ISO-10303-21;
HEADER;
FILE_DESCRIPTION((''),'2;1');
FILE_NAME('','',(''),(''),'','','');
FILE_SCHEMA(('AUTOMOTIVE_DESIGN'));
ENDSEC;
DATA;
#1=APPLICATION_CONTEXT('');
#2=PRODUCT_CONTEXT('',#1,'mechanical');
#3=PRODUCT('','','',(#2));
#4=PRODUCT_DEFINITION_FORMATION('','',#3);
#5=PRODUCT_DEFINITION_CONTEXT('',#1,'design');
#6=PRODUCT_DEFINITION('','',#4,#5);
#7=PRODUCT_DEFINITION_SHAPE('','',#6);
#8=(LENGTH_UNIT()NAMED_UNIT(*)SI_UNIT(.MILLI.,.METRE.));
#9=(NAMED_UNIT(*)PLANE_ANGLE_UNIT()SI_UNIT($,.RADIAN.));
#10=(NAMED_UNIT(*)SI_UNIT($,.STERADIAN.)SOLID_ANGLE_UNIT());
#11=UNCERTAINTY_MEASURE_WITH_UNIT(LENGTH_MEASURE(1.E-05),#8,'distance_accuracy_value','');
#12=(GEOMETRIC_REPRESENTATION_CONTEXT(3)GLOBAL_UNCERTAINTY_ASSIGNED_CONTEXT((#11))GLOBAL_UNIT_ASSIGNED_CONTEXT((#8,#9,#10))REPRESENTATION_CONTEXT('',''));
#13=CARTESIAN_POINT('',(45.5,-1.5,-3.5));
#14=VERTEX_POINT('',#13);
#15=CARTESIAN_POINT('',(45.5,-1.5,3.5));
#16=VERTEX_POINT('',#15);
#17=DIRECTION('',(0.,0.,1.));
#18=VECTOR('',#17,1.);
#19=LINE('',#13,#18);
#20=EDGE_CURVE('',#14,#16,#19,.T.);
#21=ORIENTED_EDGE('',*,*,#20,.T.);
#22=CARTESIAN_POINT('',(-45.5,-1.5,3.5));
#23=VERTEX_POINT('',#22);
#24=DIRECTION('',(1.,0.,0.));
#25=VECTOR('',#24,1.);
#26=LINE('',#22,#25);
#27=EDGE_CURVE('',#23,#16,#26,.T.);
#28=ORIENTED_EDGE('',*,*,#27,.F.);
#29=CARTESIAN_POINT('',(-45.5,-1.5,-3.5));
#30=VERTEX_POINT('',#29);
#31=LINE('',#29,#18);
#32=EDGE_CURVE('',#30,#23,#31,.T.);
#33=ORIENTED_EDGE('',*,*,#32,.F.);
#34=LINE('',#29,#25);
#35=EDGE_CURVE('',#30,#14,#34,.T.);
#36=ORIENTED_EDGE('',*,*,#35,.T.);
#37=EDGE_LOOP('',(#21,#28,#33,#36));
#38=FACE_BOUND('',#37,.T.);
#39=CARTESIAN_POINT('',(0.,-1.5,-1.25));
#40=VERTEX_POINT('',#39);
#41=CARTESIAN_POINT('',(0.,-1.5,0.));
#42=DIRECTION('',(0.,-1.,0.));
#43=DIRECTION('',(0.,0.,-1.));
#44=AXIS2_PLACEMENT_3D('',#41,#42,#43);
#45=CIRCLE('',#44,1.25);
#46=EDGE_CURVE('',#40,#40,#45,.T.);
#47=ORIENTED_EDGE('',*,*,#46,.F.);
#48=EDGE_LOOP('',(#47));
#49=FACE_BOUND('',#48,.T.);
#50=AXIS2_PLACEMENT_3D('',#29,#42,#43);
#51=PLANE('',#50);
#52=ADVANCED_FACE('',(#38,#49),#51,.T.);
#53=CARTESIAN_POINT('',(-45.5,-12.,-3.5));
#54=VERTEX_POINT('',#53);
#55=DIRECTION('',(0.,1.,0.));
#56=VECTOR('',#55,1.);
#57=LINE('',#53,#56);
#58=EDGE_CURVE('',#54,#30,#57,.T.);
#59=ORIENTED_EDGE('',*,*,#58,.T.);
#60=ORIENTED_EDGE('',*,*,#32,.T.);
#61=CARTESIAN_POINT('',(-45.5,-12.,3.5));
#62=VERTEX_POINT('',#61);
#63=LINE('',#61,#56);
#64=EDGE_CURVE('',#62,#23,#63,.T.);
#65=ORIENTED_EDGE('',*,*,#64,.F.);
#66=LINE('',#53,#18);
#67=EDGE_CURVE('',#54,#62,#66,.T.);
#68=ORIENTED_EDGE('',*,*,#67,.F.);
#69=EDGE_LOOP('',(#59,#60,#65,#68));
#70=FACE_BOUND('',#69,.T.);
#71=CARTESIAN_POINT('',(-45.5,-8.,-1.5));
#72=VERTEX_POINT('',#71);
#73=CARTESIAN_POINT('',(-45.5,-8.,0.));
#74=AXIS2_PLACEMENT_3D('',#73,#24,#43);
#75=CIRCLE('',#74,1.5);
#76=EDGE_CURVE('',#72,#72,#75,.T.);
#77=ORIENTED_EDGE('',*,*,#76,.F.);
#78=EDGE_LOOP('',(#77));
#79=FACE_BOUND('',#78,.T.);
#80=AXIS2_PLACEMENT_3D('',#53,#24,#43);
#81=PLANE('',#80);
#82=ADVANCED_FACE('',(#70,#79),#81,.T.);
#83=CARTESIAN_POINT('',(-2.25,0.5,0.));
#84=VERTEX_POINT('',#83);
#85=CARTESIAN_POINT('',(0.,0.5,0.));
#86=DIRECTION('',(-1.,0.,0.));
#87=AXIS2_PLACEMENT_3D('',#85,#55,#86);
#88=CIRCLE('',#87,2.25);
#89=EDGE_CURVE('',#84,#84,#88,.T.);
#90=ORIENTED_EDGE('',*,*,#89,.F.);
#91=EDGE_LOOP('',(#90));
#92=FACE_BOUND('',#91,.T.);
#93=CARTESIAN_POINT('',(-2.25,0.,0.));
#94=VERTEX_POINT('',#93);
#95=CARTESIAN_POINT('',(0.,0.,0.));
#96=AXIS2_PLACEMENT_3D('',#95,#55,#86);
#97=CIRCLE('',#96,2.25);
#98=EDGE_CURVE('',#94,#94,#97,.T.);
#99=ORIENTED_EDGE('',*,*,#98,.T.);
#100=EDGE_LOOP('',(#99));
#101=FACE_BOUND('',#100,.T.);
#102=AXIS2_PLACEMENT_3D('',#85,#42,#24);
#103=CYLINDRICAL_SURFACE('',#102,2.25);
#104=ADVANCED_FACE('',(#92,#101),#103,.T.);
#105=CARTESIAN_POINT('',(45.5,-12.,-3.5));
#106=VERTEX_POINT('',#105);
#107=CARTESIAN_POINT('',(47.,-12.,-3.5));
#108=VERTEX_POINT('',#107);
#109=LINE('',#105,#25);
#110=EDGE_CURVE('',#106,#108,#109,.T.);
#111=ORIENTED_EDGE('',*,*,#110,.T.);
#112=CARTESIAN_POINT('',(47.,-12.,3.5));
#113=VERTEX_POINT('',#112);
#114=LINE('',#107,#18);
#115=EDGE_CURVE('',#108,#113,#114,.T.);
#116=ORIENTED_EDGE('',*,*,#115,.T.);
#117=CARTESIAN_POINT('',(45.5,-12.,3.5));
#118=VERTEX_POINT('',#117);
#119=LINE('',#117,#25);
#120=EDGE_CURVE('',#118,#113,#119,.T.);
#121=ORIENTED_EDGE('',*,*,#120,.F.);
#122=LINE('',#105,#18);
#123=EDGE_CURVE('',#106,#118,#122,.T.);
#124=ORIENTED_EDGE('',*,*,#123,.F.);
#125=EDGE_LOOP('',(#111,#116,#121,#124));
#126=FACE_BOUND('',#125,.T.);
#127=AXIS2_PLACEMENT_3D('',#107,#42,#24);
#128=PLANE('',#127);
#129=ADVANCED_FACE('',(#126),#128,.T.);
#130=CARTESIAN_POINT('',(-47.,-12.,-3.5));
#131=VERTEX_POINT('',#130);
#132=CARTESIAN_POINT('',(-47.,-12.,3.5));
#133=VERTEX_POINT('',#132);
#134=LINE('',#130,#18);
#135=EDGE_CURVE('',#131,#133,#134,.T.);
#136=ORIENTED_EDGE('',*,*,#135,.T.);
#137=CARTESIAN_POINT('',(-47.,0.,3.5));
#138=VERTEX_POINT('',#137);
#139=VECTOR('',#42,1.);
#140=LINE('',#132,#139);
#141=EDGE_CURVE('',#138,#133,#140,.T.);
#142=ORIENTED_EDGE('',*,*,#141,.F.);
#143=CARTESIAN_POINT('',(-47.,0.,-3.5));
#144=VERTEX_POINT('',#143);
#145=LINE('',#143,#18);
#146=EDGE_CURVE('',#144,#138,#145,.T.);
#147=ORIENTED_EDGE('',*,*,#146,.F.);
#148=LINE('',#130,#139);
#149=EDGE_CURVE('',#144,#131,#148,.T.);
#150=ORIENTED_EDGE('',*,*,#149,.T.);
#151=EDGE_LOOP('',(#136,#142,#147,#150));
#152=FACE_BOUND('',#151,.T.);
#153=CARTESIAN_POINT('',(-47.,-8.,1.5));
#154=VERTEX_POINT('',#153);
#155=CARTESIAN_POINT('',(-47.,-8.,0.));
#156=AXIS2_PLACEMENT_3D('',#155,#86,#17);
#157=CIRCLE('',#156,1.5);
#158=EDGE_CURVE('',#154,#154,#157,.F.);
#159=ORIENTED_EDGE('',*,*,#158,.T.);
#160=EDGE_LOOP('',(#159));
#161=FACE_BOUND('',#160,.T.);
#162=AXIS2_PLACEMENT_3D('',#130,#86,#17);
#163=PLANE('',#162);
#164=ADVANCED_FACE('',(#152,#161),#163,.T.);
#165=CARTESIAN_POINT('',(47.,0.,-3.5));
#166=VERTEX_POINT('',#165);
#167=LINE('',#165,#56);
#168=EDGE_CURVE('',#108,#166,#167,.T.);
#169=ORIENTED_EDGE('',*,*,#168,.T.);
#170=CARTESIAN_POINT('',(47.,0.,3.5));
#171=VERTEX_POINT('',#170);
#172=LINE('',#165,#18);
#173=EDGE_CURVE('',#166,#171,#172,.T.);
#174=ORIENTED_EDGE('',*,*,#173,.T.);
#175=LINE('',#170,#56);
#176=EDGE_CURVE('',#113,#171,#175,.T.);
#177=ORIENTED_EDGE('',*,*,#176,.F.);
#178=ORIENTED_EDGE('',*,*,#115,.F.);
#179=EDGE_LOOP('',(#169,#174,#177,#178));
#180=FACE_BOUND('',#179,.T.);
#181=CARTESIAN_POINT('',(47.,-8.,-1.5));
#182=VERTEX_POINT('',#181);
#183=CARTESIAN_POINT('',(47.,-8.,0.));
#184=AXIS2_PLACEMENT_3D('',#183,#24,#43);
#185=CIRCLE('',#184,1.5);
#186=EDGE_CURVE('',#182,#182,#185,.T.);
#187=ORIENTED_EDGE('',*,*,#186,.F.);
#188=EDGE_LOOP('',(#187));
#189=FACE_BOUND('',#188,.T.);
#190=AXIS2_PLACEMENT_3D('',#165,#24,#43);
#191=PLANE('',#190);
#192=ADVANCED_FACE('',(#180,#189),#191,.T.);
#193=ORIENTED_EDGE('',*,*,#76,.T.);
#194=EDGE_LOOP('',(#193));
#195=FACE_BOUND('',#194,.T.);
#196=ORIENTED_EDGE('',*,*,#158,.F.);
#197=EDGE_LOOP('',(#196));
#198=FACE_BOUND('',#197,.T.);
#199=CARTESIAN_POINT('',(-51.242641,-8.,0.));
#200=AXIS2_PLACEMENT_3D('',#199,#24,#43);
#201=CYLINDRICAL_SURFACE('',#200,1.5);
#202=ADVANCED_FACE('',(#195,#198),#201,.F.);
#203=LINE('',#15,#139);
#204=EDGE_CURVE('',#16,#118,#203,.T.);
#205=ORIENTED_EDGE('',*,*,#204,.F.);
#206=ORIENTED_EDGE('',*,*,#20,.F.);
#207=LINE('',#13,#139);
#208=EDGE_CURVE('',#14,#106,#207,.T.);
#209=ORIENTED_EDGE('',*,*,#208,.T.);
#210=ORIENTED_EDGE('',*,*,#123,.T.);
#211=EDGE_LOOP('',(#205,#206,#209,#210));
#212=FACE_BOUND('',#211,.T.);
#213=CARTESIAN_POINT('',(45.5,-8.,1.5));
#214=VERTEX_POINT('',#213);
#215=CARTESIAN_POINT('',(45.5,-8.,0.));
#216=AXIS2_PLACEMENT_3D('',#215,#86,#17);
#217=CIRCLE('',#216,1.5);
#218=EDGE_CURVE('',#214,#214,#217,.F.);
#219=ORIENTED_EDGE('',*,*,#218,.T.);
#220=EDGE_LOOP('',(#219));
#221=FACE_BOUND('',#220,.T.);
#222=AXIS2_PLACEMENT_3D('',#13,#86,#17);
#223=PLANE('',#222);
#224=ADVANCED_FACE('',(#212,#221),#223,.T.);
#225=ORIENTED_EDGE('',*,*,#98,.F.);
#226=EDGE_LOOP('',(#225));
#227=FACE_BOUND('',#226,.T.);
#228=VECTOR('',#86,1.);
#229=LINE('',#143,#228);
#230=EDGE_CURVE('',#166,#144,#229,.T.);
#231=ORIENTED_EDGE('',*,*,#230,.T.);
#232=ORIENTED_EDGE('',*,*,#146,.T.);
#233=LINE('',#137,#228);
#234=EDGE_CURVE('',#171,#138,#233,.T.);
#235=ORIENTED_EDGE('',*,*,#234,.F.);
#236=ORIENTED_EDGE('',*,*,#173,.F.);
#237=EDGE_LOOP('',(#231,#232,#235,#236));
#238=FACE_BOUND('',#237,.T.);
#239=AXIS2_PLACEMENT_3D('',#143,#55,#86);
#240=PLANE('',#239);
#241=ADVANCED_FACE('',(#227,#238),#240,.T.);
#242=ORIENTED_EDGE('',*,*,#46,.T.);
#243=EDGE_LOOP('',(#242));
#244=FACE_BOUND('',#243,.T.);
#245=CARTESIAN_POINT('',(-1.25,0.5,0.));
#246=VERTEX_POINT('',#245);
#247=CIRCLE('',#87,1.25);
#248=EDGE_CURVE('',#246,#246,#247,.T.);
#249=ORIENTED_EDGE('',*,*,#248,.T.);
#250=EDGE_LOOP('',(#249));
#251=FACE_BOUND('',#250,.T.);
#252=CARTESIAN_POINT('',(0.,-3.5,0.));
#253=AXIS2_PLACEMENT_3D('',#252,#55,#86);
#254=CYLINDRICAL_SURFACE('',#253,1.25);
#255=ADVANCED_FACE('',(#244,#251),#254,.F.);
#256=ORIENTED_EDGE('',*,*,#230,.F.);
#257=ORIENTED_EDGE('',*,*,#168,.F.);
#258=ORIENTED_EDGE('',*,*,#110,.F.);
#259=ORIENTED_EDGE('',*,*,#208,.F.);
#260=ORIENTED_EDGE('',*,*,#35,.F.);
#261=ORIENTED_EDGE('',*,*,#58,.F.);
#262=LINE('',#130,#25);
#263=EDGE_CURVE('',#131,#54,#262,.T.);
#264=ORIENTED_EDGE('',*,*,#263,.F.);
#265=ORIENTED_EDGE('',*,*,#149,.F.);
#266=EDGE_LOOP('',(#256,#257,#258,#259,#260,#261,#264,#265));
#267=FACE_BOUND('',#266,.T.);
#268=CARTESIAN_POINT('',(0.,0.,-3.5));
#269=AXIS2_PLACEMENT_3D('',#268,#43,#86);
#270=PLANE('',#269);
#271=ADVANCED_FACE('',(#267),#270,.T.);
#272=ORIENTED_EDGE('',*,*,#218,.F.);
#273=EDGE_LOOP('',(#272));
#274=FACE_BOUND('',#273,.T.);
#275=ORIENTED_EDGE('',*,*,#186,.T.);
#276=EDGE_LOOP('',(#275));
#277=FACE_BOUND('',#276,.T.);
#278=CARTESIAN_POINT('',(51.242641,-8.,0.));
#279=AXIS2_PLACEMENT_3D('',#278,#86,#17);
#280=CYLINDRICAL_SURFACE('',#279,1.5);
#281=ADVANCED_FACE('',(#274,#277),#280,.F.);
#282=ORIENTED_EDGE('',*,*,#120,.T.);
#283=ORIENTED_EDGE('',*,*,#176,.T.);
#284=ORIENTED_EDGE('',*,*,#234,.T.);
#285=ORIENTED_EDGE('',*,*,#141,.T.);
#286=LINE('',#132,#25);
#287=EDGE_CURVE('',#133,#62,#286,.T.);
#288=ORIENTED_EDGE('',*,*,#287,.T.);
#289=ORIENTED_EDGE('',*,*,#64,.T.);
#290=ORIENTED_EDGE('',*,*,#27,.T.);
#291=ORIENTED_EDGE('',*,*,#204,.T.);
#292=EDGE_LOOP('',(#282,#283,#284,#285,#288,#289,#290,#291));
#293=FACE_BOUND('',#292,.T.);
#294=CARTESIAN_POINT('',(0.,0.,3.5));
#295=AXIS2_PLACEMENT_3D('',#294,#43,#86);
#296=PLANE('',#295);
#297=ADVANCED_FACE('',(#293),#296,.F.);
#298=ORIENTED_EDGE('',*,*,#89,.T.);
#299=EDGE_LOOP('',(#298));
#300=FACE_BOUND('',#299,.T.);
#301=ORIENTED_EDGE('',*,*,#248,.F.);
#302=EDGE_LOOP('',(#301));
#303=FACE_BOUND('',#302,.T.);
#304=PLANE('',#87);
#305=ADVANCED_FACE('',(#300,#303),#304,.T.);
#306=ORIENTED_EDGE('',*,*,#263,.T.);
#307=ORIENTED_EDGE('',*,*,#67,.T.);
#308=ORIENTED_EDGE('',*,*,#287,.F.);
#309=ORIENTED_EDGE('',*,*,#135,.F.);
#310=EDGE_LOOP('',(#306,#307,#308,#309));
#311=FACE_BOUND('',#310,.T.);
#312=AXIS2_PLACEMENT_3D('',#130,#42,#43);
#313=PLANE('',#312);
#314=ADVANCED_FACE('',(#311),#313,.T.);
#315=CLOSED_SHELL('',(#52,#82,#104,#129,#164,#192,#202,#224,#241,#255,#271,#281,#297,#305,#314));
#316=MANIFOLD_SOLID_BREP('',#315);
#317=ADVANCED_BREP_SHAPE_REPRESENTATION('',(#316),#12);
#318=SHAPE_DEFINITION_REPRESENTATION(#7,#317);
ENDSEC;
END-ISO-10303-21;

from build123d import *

# Parameters (mm, degrees)
BOSS_EXTRUDE3_DEPTH      = 3.5
BOSS_EXTRUDE3_DEPTH_BACK = 3.5
SKETCH4_R                = 1.25
CUT_EXTRUDE1_DEPTH       = 3.5
SKETCH5_R                = 2.25
SKETCH5_R_2              = 1.25
BOSS_EXTRUDE5_DEPTH      = 0.5
SKETCH8_R                = 1.5
CUT_EXTRUDE3_DEPTH       = 47
SKETCH10_R               = 1.5
CUT_EXTRUDE4_DEPTH       = 47


with BuildPart() as part:
    # Sketch1 → Boss-Extrude3 (new body, two sides)
    with BuildSketch(Plane.XY) as boss_extrude3_sk:
        Polygon((-47, 0), (47, 0), (47, -12), (46.584070796, -12), (45.5, -12), (45.5, -1.5), (-45.5, -1.5), (-45.5, -12), (-47, -12), align=None)
    extrude(amount=BOSS_EXTRUDE3_DEPTH)
    extrude(boss_extrude3_sk.sketch, amount=-BOSS_EXTRUDE3_DEPTH_BACK)

    # Sketch4 → Cut-Extrude1 (cut)
    with BuildSketch(Plane(origin=(0, 0, 0), x_dir=(1, 0, 0), z_dir=(0, 1, 0))):
        Circle(SKETCH4_R)
    extrude(amount=-CUT_EXTRUDE1_DEPTH, mode=Mode.SUBTRACT)

    # Sketch5 → Boss-Extrude5 (add)
    with BuildSketch(Plane(origin=(0, 0, 0), x_dir=(1, 0, 0), z_dir=(0, 1, 0))):
        Circle(SKETCH5_R)
        Circle(SKETCH5_R_2, mode=Mode.SUBTRACT)
    extrude(amount=BOSS_EXTRUDE5_DEPTH)

    # Sketch8 → Cut-Extrude3 (cut)
    with BuildSketch(Plane(origin=(0, 0, 0), x_dir=(0, 0, -1), z_dir=(1, 0, 0))):
        with Locations((0, -8)):
            Circle(SKETCH8_R)
    extrude(amount=CUT_EXTRUDE3_DEPTH, mode=Mode.SUBTRACT)

    # Sketch10 → Cut-Extrude4 (cut)
    with BuildSketch(Plane(origin=(0, 0, 0), x_dir=(0, 0, -1), z_dir=(1, 0, 0))):
        with Locations((0, -8)):
            Circle(SKETCH10_R)
    extrude(amount=-CUT_EXTRUDE4_DEPTH, mode=Mode.SUBTRACT)


solid = part.part
